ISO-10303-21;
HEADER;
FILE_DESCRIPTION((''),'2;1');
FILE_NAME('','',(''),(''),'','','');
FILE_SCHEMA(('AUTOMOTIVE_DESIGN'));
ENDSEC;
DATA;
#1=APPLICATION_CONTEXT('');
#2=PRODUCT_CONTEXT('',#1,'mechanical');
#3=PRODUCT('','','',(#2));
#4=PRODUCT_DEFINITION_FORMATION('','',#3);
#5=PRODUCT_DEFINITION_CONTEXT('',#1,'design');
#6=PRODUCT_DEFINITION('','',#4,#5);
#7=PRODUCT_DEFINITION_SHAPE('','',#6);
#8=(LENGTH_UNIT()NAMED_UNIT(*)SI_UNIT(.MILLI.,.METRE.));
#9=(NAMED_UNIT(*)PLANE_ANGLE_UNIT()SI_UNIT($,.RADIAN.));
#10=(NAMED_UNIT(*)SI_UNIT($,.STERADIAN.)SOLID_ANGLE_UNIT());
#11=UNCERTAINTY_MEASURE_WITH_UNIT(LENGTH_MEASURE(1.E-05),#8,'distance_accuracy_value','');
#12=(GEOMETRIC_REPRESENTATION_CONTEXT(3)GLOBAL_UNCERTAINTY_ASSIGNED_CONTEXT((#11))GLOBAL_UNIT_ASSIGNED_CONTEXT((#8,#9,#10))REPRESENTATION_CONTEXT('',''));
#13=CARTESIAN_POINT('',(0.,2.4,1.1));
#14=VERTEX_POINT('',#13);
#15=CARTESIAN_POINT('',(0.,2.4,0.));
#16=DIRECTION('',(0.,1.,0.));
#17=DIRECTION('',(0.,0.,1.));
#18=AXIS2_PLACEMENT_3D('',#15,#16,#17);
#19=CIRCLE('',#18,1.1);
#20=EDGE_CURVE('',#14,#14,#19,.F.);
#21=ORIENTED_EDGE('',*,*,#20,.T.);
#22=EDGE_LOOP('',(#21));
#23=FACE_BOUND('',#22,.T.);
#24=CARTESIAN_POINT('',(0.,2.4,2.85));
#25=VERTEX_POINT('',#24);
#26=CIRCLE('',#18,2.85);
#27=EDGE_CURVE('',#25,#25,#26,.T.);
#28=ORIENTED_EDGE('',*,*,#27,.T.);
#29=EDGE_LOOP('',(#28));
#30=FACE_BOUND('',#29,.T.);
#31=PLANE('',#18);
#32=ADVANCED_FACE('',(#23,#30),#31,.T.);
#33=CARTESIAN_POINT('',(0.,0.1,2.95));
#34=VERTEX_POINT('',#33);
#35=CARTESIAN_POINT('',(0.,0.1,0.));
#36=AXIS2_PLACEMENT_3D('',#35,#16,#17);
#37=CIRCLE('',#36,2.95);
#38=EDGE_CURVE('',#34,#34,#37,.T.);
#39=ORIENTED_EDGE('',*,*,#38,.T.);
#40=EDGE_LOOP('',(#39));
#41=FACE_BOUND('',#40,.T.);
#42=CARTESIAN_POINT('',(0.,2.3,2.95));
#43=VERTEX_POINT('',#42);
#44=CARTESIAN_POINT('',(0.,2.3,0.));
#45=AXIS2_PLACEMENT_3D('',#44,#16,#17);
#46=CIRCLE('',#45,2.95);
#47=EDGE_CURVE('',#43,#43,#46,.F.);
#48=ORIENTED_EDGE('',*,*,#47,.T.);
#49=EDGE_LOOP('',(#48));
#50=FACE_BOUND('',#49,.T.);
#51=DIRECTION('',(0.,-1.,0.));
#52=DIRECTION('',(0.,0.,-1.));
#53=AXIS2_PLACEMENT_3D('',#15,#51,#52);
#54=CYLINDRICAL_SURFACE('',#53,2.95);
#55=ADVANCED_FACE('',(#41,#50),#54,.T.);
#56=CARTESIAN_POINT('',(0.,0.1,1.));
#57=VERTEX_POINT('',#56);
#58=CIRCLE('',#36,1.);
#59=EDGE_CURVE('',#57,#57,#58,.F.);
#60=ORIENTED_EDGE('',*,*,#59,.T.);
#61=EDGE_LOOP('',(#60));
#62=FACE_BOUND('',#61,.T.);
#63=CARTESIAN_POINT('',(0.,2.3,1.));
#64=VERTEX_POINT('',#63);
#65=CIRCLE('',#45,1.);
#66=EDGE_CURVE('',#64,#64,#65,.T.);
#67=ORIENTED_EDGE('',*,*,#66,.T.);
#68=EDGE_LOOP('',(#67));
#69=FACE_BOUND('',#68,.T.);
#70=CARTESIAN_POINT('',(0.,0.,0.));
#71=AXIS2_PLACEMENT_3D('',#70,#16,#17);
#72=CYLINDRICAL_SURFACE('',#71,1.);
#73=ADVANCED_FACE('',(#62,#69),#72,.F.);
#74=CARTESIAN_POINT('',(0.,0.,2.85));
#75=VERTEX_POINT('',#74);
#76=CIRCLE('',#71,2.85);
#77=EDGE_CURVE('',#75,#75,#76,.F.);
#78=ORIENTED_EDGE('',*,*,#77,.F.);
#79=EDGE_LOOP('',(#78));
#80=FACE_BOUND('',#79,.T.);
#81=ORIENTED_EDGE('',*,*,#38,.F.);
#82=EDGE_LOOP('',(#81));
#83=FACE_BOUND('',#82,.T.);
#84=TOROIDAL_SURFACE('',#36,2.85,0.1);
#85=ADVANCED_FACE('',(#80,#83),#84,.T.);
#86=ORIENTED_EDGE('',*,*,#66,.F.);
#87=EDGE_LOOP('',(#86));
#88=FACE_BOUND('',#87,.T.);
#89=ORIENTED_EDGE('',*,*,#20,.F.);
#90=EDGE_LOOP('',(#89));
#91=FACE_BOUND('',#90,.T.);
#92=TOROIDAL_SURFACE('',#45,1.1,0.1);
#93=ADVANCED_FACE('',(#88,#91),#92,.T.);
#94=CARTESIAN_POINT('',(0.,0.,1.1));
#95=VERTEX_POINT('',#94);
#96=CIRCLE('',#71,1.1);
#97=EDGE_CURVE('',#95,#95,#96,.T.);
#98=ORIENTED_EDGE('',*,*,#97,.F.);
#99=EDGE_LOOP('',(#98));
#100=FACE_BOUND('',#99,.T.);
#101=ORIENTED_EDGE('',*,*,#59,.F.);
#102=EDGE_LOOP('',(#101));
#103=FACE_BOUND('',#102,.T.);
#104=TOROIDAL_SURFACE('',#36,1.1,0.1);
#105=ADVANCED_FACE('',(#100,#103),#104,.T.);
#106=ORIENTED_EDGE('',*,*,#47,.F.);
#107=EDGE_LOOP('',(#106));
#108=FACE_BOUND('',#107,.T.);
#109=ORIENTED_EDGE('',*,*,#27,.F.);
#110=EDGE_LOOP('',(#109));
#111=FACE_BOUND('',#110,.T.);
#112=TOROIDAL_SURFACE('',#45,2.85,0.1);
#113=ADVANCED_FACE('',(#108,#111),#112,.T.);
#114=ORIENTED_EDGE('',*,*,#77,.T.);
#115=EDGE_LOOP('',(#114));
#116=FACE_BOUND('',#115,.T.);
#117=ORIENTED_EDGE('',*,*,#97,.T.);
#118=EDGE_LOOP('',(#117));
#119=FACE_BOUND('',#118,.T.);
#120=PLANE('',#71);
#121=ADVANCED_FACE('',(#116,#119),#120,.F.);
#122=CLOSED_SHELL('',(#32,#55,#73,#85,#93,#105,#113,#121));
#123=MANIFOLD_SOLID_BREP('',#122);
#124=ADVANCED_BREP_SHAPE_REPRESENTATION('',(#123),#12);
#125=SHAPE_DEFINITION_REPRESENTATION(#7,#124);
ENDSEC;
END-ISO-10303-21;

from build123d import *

# Parameters (mm, degrees)
SKETCH1_R           = 2.95
BOSS_EXTRUDE1_DEPTH = 2.4
SKETCH2_R           = 1
CUT_EXTRUDE1_DEPTH  = 5.81300322
FILLET1_R           = 0.1


with BuildPart() as part:
    # Sketch1 → Boss-Extrude1 (new body)
    with BuildSketch(Plane(origin=(0, 0, 0), x_dir=(1, 0, 0), z_dir=(0, 1, 0))):
        with Locations(Location((0, 0, 0), (0, 0, 270))):
            Circle(SKETCH1_R)
    extrude(amount=BOSS_EXTRUDE1_DEPTH)

    # Sketch2 → Cut-Extrude1 (cut, through all)
    with BuildSketch(Plane(origin=(0, 2.4, 0), x_dir=(1, 0, 0), z_dir=(0, 1, 0))):
        with Locations(Location((0, 0, 0), (0, 0, 270))):
            Circle(SKETCH2_R)
    extrude(amount=-CUT_EXTRUDE1_DEPTH, mode=Mode.SUBTRACT)

    # Fillet1
    fillet1_edges = [part.edges().sort_by_distance(p)[0] for p in [
        (0, 0, -2.95),
        (0, 2.4, -2.95),
        (0, 0, -1),
        (0, 2.4, -1),
    ]]
    fillet(fillet1_edges, radius=FILLET1_R)


solid = part.part
